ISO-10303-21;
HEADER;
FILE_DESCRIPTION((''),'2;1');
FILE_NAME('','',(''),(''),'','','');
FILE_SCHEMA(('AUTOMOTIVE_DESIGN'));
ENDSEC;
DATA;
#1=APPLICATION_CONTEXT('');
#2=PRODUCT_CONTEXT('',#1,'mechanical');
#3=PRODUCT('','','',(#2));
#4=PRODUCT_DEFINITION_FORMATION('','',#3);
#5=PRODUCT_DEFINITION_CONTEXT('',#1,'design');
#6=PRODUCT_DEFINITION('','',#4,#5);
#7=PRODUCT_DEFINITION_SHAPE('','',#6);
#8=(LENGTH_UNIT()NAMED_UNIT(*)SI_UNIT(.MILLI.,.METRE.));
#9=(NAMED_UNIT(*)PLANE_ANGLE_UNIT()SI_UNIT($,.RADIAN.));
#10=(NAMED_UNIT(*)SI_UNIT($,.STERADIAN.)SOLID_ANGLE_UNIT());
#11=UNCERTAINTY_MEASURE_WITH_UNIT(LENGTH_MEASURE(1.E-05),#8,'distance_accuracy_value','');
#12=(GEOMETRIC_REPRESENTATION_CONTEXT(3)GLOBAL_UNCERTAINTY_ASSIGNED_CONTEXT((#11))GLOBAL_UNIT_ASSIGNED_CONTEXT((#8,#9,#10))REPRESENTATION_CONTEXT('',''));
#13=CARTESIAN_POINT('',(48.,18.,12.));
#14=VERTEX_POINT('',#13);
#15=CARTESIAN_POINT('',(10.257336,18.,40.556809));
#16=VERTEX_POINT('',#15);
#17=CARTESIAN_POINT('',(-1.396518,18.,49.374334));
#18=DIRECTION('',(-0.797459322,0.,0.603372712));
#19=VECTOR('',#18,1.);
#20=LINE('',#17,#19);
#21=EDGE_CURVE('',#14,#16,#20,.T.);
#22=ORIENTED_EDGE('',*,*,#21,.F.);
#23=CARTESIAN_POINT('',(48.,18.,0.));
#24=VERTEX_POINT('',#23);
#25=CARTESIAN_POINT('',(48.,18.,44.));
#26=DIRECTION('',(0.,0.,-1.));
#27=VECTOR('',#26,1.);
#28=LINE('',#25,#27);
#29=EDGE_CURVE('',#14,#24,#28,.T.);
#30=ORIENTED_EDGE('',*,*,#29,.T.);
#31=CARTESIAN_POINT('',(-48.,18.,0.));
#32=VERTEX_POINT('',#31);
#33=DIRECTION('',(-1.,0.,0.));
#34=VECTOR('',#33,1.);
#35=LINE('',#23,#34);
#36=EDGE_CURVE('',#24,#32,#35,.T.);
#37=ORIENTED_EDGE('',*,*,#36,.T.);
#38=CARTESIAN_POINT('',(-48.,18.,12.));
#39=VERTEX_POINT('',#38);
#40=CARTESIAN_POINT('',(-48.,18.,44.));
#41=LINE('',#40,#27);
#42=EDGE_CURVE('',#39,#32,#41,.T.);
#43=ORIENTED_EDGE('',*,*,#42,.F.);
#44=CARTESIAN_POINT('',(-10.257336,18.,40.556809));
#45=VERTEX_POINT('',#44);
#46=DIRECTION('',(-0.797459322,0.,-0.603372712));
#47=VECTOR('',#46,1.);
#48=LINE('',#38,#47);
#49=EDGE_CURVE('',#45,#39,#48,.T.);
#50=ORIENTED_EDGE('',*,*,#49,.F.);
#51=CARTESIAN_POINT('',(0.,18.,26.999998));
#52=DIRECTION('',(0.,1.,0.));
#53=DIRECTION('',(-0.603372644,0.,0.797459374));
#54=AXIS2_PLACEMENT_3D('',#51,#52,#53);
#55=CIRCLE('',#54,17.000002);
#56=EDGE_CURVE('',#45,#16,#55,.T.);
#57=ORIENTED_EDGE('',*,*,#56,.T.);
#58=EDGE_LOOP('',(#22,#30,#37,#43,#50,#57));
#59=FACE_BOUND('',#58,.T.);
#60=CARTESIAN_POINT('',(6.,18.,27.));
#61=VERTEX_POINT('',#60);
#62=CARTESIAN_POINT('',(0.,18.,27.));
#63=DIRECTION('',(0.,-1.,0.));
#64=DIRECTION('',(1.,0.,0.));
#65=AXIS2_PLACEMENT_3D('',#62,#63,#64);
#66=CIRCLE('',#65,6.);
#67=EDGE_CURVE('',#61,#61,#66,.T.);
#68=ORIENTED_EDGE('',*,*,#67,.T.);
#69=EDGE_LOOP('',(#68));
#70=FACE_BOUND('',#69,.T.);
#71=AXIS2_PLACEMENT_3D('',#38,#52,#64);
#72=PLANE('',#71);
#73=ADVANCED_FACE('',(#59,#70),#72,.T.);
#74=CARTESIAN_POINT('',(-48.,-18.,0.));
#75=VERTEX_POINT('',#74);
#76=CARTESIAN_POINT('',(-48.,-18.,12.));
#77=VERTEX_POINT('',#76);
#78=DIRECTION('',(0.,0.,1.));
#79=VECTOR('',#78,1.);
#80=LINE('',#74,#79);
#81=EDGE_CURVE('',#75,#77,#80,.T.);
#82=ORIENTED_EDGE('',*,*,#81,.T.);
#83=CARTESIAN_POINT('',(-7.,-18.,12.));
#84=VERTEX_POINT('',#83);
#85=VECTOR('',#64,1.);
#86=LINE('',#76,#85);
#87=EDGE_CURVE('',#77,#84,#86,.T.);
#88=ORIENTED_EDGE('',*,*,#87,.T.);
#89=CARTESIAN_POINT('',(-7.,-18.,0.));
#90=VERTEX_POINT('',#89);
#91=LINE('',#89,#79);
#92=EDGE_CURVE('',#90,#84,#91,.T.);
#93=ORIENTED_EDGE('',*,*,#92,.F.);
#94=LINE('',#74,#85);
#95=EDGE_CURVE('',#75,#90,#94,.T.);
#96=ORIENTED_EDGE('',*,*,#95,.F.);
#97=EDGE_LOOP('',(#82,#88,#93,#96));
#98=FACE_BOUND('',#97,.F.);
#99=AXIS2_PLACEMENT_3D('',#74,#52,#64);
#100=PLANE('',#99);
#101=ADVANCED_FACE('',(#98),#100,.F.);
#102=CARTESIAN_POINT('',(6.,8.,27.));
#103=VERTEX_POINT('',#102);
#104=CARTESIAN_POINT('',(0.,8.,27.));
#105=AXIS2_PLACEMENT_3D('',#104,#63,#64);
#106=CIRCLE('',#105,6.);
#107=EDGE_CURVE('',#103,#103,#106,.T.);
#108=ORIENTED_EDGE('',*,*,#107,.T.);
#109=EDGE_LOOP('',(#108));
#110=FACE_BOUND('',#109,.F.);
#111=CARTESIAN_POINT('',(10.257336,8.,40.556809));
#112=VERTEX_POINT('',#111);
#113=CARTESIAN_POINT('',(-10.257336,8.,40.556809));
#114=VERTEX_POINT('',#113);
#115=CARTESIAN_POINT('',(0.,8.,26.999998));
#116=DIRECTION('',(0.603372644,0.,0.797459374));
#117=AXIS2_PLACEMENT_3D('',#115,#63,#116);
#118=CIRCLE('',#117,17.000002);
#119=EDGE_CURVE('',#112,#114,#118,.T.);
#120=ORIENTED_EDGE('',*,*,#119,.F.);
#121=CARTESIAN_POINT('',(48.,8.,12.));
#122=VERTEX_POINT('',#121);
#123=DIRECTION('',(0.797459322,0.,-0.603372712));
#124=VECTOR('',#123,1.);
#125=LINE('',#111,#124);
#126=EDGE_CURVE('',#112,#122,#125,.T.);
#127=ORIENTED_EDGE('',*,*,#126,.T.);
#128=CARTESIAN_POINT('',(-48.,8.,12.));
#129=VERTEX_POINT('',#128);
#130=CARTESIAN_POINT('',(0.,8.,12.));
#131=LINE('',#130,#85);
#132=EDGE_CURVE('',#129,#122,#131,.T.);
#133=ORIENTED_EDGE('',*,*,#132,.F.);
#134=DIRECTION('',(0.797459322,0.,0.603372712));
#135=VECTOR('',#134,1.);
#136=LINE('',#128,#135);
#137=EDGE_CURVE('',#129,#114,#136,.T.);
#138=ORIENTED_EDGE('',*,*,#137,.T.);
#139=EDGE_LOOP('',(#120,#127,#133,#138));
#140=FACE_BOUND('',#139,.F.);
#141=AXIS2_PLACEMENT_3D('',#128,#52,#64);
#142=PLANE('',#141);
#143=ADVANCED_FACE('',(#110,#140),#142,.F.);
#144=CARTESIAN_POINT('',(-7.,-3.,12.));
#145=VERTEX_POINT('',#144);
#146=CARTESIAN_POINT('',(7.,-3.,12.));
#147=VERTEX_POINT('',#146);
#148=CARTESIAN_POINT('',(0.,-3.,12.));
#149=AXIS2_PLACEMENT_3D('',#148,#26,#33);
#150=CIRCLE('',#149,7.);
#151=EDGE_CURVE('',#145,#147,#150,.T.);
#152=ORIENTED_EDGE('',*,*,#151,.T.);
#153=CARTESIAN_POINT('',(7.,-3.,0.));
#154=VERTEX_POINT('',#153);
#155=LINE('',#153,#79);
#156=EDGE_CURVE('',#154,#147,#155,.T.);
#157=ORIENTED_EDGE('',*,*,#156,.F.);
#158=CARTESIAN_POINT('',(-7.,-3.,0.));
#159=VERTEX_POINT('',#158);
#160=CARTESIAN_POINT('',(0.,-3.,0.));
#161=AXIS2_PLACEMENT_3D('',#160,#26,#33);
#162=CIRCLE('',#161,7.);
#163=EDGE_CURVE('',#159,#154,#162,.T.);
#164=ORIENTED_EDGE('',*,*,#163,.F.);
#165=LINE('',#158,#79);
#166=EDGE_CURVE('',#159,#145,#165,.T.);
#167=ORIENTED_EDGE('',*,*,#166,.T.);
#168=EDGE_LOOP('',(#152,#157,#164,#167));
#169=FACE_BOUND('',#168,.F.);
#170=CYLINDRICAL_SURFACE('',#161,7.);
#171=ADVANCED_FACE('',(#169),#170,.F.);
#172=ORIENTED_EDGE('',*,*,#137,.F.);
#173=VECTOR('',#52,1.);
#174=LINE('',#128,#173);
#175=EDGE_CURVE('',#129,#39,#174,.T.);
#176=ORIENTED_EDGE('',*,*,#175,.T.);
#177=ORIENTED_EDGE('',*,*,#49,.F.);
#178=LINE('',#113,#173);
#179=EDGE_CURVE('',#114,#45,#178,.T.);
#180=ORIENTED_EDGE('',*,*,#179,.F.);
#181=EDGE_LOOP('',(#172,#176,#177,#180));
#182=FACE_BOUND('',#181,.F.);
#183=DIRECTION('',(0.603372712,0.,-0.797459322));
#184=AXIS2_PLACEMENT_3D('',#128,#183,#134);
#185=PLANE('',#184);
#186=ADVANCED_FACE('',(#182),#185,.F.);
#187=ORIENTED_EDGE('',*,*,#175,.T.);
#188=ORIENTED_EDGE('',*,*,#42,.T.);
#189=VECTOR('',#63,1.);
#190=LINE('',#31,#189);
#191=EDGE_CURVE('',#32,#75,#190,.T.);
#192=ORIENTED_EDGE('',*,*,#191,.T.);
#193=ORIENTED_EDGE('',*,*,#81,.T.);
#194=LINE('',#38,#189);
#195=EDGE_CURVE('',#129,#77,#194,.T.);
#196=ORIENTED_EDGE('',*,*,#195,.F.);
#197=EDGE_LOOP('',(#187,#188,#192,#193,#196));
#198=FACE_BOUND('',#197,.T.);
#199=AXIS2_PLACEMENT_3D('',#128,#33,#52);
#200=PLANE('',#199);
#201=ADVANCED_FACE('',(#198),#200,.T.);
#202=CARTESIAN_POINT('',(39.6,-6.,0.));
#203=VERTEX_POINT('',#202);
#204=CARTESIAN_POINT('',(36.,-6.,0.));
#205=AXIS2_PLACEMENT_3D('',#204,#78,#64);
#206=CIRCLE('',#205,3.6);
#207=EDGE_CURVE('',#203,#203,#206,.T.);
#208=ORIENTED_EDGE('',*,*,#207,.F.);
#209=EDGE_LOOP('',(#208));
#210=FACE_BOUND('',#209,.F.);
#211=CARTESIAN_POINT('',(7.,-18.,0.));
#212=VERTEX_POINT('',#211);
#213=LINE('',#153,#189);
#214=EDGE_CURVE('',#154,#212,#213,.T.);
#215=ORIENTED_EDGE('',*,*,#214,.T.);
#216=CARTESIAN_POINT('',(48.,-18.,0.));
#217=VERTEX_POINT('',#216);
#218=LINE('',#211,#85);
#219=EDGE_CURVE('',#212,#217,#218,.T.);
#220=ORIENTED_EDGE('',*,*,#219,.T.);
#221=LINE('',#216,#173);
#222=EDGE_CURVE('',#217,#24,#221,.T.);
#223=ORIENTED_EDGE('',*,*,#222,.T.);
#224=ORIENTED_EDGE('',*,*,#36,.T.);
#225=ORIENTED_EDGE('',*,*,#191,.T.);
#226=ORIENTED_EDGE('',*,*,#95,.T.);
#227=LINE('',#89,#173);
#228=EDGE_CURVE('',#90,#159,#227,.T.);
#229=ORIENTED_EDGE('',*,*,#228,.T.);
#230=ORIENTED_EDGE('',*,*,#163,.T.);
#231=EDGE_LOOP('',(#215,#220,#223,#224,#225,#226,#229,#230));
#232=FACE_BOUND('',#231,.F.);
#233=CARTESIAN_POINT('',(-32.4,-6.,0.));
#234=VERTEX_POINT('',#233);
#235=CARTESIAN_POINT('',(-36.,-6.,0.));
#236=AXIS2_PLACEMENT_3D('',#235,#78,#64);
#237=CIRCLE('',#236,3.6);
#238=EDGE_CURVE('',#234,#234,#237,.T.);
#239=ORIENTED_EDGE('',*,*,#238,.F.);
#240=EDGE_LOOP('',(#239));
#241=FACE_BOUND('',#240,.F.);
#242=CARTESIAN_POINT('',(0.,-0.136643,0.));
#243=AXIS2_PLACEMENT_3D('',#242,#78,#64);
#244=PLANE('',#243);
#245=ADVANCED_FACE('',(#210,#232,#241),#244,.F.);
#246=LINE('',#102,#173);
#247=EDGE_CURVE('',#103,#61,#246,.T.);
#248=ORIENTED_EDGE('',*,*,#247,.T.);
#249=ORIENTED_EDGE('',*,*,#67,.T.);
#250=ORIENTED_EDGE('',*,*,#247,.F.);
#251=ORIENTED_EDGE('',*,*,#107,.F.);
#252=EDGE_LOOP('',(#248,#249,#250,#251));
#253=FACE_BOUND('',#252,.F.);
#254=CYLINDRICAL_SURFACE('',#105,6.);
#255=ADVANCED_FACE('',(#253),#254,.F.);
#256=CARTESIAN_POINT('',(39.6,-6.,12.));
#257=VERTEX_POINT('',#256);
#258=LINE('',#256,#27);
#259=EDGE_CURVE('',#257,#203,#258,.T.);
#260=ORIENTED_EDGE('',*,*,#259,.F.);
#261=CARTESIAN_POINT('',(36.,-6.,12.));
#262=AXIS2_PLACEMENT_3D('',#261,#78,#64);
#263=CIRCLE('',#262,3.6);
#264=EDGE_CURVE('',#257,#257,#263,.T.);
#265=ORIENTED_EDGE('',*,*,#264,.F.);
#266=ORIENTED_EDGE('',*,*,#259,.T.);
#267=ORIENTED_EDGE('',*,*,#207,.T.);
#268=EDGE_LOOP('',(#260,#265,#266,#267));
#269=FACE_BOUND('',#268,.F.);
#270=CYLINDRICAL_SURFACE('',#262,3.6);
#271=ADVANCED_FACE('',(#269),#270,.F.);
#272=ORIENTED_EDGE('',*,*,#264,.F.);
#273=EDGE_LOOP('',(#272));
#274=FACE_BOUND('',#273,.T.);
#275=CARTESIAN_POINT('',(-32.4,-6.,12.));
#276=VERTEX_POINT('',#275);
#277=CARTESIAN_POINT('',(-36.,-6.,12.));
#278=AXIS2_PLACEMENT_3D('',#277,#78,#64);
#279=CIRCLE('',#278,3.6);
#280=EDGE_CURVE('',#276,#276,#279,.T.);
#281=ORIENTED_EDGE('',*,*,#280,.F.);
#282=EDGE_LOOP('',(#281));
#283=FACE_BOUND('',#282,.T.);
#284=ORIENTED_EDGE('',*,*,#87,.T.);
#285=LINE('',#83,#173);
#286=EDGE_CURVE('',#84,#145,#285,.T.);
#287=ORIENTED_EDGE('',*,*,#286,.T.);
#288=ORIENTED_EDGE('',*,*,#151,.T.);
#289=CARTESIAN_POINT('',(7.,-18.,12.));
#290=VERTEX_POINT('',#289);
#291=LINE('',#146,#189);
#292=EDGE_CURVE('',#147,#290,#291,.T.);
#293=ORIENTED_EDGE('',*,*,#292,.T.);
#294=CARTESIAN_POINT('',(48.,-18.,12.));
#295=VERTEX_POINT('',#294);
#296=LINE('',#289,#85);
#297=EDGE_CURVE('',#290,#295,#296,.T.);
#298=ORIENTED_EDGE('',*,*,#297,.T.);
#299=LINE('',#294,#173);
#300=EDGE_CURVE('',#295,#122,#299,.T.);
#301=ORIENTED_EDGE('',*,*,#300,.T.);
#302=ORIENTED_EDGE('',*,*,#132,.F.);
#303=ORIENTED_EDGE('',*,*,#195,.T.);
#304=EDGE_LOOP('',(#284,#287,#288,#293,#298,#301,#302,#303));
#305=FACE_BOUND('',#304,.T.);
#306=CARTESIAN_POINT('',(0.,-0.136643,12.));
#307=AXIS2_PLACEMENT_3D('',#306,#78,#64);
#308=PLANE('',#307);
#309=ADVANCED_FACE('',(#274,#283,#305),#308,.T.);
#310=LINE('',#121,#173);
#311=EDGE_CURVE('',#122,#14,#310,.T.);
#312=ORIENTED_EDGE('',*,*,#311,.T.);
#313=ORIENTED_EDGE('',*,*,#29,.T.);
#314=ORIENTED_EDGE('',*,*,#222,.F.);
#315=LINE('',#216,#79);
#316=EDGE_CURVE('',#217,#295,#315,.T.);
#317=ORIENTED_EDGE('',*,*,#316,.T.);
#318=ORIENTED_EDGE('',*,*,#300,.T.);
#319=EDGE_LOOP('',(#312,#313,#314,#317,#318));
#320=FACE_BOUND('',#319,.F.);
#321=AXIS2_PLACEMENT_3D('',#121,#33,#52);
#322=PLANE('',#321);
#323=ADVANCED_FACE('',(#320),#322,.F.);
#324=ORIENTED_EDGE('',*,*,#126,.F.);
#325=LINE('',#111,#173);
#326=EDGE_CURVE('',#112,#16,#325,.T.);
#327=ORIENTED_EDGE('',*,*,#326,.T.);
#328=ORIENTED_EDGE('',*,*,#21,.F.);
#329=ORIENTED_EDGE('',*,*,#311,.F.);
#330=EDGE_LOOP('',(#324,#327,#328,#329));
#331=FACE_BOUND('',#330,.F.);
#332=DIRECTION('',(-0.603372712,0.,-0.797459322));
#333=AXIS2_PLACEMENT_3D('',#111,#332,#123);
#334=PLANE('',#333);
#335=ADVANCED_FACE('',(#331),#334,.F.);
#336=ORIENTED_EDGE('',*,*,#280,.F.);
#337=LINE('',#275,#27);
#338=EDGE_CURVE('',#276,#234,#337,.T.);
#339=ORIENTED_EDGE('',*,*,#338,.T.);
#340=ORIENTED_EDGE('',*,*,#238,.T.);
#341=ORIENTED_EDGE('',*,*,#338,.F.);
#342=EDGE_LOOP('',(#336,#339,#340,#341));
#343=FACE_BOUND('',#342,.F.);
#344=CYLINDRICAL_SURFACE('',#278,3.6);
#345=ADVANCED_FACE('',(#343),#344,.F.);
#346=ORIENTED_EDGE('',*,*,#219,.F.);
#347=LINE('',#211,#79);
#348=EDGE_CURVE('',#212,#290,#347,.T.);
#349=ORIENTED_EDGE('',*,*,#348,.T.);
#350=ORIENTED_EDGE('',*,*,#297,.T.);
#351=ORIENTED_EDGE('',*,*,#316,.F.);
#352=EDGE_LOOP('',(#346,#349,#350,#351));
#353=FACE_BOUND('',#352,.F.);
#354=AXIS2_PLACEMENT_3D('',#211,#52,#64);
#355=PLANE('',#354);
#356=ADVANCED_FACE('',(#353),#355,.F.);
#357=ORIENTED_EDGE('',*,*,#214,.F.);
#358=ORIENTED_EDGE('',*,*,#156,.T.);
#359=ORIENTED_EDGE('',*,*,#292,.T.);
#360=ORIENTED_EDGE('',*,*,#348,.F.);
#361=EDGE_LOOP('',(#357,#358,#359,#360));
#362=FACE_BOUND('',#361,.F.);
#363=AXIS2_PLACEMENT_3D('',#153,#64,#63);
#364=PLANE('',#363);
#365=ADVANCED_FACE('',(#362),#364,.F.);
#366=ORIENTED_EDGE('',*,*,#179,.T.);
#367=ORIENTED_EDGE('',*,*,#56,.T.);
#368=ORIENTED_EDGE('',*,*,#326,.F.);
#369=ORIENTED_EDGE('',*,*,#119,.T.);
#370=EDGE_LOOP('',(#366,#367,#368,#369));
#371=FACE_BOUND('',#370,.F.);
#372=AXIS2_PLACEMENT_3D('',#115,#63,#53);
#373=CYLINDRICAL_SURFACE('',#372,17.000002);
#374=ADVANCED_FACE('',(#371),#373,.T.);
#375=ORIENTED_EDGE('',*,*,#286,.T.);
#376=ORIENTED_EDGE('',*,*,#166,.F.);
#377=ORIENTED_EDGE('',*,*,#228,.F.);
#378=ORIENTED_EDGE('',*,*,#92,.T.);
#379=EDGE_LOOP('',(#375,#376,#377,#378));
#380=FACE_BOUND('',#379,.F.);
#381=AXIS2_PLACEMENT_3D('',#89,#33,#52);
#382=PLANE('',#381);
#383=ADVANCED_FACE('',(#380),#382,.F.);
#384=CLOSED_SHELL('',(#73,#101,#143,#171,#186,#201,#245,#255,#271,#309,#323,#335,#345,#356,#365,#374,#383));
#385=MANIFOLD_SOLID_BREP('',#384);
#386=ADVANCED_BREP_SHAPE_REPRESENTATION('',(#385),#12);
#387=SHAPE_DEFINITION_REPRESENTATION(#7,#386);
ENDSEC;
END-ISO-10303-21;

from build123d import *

# Parameters (mm, degrees)
F1_DEPTH = 12
F2_R     = 3.6
F3_DEPTH = 12.001
F4_W     = 96
F4_H     = 10
F5_DEPTH = 32
F6_R     = 6
F7_DEPTH = 10.001
F9_DEPTH = 25


with BuildPart() as f1:
    # F0 (on Top) → F1 (new body)
    with BuildSketch(Plane.XY):
        with BuildLine():
            Line((7, -18), (48, -18))
            Line((48, -18), (48, 18))
            Line((48, 18), (-48, 18))
            Line((-48, 18), (-48, -18))
            Line((-48, -18), (-7, -18))
            Line((-7, -18), (-7, -3))
            ThreePointArc((-7, -3), (0, 4), (7, -3))
            Line((7, -3), (7, -18))
        make_face()
    extrude(amount=F1_DEPTH)

    # F2 (on face) → F3 (cut, through all)
    with BuildSketch(Plane.XY.offset(12)):
        with Locations((36, -6)):
            Circle(F2_R)
        with Locations((-36, -6)):
            Circle(F2_R)
    extrude(amount=-F3_DEPTH, mode=Mode.SUBTRACT)

    # F4 (on face) → F5 (join)
    with BuildSketch(Plane.XY.offset(12)):
        with Locations((0, 13)):
            Rectangle(F4_W, F4_H)
    extrude(amount=F5_DEPTH)

    # F6 (on face) → F7 (cut, through all)
    with BuildSketch(Plane.XZ.offset(-8)):
        with Locations((0, 27)):
            Circle(F6_R)
    extrude(amount=-F7_DEPTH, mode=Mode.SUBTRACT)

    # F8 (on face) → F9 (cut)
    with BuildSketch(Plane.XZ.offset(-8)):
        with BuildLine():
            ThreePointArc((-10.257336, 40.556809), (0, 44), (10.257336, 40.556809))
            Line((10.257336, 40.556809), (48, 12))
            Line((48, 12), (48, 44.921719))
            Line((48, 44.921719), (-48, 44.921719))
            Line((-48, 44.921719), (-48, 12))
            Line((-48, 12), (-10.257336, 40.556809))
        make_face()
    extrude(amount=-F9_DEPTH, mode=Mode.SUBTRACT)


solid = f1.part
